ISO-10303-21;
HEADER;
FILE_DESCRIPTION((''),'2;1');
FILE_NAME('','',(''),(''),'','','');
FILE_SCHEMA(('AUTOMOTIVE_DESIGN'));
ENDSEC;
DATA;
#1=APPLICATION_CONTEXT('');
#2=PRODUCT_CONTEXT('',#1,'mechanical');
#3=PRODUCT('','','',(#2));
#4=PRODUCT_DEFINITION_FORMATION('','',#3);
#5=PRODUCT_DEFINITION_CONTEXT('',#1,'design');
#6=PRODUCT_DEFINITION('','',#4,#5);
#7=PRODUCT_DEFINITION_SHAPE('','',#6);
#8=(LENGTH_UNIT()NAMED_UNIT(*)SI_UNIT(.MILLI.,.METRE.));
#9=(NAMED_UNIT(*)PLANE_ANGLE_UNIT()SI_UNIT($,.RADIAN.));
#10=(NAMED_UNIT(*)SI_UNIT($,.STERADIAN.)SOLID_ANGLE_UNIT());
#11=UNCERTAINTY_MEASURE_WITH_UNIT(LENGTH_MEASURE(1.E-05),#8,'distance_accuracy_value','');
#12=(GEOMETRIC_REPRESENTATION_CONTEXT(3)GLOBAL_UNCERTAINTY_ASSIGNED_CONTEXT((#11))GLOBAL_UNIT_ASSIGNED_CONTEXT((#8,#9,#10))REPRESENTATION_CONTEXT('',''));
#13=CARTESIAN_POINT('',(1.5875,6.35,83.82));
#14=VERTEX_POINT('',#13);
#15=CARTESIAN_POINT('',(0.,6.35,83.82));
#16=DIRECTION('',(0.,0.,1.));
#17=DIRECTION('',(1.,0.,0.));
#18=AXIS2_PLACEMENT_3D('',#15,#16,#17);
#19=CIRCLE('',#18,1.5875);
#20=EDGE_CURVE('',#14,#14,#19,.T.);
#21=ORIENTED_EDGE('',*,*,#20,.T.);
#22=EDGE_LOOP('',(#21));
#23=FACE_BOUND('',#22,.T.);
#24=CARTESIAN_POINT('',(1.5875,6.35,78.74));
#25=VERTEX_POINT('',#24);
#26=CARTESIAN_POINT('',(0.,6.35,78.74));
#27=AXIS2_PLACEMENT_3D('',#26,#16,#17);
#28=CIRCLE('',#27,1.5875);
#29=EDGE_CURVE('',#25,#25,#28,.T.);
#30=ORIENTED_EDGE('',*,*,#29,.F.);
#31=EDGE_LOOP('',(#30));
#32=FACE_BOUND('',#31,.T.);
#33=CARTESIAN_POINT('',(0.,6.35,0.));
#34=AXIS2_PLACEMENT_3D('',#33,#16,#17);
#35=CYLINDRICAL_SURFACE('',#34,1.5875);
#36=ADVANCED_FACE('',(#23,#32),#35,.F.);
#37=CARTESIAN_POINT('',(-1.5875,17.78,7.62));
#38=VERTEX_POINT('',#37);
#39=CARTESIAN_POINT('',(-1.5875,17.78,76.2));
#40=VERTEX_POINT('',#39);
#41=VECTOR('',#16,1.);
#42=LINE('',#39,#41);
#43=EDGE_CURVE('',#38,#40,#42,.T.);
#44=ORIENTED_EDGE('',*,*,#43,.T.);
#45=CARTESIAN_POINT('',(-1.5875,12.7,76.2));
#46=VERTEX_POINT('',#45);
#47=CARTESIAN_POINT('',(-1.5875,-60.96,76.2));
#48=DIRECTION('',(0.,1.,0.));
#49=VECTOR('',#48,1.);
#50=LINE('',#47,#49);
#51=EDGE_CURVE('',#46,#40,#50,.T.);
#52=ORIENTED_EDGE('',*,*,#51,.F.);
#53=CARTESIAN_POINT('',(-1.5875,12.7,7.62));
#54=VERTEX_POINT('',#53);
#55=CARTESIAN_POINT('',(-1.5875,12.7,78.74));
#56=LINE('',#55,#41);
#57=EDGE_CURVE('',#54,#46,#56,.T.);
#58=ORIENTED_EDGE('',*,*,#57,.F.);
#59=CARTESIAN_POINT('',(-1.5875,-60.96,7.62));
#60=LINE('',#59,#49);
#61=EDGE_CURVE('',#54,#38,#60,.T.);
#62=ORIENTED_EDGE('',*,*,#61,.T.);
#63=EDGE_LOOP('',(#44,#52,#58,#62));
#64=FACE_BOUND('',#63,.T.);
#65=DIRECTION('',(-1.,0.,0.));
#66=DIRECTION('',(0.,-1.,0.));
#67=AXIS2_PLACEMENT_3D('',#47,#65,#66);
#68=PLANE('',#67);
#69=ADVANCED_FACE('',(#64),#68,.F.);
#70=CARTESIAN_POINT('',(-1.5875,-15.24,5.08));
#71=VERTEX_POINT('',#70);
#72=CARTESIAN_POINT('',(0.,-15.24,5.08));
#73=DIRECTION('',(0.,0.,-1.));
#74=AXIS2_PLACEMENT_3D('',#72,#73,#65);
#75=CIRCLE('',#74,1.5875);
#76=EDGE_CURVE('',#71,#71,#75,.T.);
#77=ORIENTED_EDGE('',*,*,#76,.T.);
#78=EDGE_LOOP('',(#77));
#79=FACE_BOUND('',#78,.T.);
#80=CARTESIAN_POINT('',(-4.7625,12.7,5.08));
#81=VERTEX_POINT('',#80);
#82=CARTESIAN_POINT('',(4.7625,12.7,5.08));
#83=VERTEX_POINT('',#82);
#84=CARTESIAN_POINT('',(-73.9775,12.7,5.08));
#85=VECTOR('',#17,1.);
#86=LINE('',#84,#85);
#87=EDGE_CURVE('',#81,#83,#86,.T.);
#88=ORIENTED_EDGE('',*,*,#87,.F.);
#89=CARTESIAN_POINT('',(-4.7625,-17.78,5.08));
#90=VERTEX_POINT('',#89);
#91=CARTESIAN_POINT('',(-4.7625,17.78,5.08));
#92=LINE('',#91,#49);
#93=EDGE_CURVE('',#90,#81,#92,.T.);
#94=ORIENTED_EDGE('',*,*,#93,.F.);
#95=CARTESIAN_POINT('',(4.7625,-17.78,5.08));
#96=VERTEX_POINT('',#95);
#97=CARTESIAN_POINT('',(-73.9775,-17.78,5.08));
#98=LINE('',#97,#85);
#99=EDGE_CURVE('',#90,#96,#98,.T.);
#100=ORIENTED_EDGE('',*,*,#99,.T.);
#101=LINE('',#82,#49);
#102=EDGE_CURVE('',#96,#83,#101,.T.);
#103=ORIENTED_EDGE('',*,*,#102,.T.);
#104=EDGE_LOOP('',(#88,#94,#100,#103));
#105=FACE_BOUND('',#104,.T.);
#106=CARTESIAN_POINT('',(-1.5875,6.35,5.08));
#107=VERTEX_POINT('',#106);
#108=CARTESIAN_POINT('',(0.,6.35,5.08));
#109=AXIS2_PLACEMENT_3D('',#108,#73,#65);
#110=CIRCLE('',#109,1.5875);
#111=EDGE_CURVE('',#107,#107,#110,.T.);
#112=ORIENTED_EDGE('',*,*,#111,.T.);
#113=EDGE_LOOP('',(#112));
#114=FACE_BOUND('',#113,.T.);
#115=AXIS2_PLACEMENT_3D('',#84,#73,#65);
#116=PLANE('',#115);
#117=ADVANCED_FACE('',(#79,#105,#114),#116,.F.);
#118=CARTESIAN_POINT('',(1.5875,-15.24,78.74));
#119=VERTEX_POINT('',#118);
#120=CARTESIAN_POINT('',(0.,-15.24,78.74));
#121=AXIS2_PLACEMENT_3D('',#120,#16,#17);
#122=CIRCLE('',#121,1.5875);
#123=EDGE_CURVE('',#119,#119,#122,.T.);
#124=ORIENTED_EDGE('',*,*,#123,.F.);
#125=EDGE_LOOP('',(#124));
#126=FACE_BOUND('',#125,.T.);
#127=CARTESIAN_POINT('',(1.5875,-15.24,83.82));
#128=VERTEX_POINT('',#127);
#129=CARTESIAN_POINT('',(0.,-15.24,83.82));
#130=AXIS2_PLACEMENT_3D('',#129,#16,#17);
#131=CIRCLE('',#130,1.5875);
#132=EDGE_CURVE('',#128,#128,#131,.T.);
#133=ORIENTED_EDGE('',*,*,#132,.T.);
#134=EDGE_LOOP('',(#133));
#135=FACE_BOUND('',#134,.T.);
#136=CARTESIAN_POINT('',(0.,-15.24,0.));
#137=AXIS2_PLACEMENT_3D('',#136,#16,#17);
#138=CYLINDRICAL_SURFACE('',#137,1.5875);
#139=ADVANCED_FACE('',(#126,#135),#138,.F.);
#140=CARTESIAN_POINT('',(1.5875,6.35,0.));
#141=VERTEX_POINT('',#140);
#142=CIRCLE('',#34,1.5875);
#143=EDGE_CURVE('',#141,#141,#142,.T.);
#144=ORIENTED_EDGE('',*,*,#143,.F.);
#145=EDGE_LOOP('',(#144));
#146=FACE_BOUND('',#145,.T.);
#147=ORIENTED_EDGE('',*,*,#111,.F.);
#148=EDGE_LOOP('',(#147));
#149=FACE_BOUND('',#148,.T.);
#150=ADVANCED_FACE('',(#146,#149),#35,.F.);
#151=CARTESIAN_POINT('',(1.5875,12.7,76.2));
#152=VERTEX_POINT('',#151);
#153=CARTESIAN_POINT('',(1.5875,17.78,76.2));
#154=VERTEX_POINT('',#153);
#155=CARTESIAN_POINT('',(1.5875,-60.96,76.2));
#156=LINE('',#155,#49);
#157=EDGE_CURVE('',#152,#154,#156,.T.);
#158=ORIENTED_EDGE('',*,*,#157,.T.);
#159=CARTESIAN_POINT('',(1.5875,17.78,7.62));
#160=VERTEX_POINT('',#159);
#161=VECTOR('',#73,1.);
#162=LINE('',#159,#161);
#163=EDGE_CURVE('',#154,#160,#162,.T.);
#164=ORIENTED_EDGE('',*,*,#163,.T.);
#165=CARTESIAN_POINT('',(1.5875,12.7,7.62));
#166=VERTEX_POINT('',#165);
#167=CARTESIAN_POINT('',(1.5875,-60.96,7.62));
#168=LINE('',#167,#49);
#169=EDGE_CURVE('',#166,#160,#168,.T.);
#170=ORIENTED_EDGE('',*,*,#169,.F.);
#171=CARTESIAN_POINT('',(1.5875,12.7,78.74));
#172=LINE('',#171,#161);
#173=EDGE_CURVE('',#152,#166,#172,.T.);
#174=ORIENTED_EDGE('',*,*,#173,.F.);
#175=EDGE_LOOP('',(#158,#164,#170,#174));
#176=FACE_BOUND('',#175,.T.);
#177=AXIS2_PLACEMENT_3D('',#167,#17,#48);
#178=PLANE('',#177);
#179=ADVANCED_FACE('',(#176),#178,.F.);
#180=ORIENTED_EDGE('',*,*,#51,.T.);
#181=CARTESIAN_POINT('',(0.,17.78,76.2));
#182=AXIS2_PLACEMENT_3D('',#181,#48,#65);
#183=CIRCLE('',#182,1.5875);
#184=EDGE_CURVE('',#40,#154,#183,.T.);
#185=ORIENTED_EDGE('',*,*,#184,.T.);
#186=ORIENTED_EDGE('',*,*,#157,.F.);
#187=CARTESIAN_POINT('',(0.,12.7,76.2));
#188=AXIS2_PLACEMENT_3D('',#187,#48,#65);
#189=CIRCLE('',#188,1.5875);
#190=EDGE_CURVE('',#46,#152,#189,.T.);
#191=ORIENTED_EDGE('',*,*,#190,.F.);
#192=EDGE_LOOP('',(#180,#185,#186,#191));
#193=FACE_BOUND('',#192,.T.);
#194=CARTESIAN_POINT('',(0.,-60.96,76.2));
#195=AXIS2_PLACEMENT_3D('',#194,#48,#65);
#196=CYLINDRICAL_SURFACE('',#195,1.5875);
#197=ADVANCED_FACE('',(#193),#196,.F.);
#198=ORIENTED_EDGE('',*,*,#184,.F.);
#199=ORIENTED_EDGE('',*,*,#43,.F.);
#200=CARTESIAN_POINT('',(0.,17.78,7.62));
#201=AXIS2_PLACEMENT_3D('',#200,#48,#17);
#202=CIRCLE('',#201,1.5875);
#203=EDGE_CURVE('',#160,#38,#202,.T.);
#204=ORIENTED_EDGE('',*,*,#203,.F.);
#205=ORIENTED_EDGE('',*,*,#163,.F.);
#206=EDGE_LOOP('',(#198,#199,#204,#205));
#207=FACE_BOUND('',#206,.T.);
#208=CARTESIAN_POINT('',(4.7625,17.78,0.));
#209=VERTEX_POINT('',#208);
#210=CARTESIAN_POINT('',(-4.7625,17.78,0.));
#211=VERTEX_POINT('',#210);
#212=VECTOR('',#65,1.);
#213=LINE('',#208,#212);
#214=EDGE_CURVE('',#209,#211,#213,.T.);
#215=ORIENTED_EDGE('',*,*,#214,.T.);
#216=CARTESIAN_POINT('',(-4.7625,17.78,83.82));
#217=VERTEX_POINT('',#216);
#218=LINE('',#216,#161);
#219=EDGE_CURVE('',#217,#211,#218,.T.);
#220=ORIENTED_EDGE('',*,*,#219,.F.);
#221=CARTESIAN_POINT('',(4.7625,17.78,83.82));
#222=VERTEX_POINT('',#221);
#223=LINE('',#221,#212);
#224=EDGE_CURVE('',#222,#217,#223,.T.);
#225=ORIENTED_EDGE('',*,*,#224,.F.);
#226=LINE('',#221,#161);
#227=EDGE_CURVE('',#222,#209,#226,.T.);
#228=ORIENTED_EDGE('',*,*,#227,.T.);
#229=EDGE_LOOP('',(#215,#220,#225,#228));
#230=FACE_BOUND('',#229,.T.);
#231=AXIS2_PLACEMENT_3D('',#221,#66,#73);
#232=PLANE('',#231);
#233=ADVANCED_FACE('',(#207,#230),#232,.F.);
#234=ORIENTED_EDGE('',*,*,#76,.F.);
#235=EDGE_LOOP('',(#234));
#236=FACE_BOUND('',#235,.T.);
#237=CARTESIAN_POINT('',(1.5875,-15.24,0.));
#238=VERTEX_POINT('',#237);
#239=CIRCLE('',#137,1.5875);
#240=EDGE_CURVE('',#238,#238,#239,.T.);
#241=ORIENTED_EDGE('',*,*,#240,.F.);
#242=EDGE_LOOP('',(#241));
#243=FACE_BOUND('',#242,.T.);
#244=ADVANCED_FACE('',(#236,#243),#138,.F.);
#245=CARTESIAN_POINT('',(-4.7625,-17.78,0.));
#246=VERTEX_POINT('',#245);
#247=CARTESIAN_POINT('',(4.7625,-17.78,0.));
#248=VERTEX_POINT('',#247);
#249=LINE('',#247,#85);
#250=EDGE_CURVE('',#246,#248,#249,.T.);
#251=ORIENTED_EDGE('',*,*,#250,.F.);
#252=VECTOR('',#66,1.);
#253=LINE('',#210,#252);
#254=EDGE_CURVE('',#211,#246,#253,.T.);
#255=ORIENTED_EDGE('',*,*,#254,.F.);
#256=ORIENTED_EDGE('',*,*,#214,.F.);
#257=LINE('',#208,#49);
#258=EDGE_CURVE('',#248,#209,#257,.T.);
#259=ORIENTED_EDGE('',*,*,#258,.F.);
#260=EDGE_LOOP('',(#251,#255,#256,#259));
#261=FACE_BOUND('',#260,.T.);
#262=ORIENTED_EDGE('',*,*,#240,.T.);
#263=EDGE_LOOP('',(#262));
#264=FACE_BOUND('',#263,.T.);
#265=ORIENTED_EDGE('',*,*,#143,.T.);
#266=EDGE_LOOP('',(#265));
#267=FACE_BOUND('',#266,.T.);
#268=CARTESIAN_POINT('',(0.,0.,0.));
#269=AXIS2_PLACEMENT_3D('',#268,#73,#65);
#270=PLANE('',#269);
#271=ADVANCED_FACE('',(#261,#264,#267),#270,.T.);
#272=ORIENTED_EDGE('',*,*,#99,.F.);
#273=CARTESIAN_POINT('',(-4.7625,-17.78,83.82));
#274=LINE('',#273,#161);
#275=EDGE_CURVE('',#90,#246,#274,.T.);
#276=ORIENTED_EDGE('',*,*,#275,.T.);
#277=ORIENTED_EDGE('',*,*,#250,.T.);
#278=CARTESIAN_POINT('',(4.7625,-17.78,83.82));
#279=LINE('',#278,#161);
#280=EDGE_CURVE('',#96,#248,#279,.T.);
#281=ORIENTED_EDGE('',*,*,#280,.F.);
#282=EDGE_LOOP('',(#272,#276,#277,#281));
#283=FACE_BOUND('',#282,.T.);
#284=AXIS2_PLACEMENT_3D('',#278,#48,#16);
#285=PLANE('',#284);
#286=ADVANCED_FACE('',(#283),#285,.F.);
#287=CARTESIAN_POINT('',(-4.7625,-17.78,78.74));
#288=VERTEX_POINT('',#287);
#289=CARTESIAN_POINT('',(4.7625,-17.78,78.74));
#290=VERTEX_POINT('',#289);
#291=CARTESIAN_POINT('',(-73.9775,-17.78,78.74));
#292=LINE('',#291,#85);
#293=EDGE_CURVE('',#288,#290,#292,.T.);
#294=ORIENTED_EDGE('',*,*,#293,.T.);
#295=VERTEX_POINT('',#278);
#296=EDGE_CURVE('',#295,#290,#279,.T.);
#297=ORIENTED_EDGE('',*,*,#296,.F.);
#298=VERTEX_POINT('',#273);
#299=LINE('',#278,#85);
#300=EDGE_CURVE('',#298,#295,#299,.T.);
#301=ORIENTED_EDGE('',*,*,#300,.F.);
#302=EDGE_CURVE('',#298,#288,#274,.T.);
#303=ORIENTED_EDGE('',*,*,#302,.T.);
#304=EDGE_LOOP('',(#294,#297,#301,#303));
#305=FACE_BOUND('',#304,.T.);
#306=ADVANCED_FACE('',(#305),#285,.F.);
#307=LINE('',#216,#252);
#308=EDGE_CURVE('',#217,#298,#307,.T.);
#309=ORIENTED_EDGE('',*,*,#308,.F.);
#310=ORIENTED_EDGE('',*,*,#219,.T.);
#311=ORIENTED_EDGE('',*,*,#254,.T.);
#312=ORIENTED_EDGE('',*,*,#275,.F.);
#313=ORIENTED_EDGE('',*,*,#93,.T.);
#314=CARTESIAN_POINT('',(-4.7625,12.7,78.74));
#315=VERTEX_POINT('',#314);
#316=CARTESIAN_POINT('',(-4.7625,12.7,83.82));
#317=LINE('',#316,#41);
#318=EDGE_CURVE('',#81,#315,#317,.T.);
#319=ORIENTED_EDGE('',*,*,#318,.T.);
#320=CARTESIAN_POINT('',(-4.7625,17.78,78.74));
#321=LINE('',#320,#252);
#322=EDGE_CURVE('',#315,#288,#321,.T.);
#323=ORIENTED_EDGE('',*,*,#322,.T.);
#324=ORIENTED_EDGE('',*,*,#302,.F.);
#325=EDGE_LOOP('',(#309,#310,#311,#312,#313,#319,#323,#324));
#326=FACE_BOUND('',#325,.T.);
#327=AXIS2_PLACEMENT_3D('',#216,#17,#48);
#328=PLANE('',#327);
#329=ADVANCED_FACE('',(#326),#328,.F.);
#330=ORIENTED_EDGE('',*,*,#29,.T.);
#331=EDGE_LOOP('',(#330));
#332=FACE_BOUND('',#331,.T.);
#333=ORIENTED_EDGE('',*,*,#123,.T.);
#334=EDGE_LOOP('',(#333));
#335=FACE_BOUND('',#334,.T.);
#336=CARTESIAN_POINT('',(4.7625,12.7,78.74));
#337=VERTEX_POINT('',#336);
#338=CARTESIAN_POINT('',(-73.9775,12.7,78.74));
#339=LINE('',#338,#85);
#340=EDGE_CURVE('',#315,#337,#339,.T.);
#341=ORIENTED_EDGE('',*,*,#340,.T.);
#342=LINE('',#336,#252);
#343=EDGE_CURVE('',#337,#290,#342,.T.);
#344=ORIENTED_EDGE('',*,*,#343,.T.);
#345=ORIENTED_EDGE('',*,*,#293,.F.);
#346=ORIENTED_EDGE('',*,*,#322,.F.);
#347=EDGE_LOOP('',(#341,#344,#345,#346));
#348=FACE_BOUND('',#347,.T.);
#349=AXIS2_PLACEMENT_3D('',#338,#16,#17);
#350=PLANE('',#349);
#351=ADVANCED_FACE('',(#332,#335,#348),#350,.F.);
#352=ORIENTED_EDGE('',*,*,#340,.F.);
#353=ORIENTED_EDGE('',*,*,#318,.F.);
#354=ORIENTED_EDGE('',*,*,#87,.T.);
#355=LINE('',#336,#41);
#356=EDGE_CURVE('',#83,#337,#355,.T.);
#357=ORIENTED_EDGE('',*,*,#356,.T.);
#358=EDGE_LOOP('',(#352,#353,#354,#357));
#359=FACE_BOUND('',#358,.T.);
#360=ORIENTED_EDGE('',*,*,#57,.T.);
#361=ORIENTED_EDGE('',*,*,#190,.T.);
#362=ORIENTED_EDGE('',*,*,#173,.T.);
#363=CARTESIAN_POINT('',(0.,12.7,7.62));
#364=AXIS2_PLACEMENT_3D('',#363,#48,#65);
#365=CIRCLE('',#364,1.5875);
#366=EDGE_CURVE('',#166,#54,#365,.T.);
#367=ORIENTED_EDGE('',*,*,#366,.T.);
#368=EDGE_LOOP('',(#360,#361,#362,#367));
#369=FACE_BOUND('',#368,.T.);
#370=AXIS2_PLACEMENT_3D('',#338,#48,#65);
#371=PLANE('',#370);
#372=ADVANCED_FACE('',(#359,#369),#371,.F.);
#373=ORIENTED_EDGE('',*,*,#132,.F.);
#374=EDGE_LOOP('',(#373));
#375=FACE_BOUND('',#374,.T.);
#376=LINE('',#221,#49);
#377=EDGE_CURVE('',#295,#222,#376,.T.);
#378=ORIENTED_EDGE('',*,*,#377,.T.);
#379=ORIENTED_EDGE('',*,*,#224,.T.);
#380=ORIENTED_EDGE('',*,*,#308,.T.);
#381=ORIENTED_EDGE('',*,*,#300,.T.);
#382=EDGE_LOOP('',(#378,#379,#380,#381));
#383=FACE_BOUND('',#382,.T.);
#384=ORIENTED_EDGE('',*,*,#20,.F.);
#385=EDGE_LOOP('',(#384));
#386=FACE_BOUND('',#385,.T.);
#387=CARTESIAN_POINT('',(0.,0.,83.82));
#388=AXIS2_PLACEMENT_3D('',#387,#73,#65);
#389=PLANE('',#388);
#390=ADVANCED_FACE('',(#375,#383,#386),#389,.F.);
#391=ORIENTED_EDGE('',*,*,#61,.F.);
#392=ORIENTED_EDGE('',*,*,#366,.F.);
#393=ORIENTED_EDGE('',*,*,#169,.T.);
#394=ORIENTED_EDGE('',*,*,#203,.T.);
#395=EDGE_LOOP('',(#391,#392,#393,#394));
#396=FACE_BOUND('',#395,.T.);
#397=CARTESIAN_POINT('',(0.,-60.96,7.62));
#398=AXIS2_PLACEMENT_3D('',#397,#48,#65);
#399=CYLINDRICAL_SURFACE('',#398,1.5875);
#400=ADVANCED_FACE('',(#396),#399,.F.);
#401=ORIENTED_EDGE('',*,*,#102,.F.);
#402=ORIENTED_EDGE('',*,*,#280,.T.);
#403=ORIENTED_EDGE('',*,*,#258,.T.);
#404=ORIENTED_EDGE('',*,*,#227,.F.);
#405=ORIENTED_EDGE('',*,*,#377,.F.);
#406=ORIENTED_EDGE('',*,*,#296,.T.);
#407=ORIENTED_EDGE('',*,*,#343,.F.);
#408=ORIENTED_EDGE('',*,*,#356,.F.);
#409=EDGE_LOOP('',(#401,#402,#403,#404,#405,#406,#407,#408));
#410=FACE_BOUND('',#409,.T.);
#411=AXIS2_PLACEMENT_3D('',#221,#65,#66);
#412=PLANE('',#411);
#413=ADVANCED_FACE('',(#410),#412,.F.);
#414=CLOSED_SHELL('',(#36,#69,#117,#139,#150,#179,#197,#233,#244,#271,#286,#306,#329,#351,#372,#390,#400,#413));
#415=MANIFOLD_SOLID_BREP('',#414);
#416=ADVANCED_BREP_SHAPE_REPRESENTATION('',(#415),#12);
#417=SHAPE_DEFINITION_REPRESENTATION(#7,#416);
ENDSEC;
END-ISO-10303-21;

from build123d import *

# Parameters (mm, degrees)
SKETCH1_W           = 9.525
SKETCH1_H           = 35.56
BOSS_EXTRUDE1_DEPTH = 83.82
SKETCH2_W           = 73.66
SKETCH2_H           = 30.48
CUT_EXTRUDE1_DEPTH  = 78.74
CUT_EXTRUDE2_DEPTH  = 78.74
SKETCH4_R           = 1.5875
CUT_EXTRUDE3_DEPTH  = 84.82
SKETCH5_R           = 1.5875
CUT_EXTRUDE4_DEPTH  = 84.82


with BuildPart() as part:
    # Sketch1 → Boss-Extrude1 (new body)
    with BuildSketch(Plane.XY):
        Rectangle(SKETCH1_W, SKETCH1_H)
    extrude(amount=BOSS_EXTRUDE1_DEPTH)

    # Sketch2 → Cut-Extrude1 (cut)
    with BuildSketch(Plane(origin=(4.7625, 0, 0), x_dir=(0, 0, -1), z_dir=(1, 0, 0))):
        with Locations((-41.91, -2.54)):
            Rectangle(SKETCH2_W, SKETCH2_H)
    extrude(amount=-CUT_EXTRUDE1_DEPTH, mode=Mode.SUBTRACT)

    # Sketch3 → Cut-Extrude2 (cut)
    with BuildSketch(Plane(origin=(0, 17.78, 0), x_dir=(1, 0, 0), z_dir=(0, 1, 0))):
        with BuildLine():
            Line((-1.5875, -76.2), (-1.5875, -7.62))
            ThreePointArc((-1.5875, -7.62), (0, -6.0325), (1.5875, -7.62))
            Line((1.5875, -7.62), (1.5875, -76.2))
            ThreePointArc((1.5875, -76.2), (0, -77.7875), (-1.5875, -76.2))
        make_face()
    extrude(amount=-CUT_EXTRUDE2_DEPTH, mode=Mode.SUBTRACT)

    # Sketch4 → Cut-Extrude3 (cut, through all)
    with BuildSketch(Plane.XY.offset(83.82)):
        with Locations((0, -15.24)):
            Circle(SKETCH4_R)
    extrude(amount=-CUT_EXTRUDE3_DEPTH, mode=Mode.SUBTRACT)

    # Sketch5 → Cut-Extrude4 (cut, through all)
    with BuildSketch(Plane.XY.offset(83.82)):
        with Locations((0, 6.35)):
            Circle(SKETCH5_R)
    extrude(amount=-CUT_EXTRUDE4_DEPTH, mode=Mode.SUBTRACT)


solid = part.part
